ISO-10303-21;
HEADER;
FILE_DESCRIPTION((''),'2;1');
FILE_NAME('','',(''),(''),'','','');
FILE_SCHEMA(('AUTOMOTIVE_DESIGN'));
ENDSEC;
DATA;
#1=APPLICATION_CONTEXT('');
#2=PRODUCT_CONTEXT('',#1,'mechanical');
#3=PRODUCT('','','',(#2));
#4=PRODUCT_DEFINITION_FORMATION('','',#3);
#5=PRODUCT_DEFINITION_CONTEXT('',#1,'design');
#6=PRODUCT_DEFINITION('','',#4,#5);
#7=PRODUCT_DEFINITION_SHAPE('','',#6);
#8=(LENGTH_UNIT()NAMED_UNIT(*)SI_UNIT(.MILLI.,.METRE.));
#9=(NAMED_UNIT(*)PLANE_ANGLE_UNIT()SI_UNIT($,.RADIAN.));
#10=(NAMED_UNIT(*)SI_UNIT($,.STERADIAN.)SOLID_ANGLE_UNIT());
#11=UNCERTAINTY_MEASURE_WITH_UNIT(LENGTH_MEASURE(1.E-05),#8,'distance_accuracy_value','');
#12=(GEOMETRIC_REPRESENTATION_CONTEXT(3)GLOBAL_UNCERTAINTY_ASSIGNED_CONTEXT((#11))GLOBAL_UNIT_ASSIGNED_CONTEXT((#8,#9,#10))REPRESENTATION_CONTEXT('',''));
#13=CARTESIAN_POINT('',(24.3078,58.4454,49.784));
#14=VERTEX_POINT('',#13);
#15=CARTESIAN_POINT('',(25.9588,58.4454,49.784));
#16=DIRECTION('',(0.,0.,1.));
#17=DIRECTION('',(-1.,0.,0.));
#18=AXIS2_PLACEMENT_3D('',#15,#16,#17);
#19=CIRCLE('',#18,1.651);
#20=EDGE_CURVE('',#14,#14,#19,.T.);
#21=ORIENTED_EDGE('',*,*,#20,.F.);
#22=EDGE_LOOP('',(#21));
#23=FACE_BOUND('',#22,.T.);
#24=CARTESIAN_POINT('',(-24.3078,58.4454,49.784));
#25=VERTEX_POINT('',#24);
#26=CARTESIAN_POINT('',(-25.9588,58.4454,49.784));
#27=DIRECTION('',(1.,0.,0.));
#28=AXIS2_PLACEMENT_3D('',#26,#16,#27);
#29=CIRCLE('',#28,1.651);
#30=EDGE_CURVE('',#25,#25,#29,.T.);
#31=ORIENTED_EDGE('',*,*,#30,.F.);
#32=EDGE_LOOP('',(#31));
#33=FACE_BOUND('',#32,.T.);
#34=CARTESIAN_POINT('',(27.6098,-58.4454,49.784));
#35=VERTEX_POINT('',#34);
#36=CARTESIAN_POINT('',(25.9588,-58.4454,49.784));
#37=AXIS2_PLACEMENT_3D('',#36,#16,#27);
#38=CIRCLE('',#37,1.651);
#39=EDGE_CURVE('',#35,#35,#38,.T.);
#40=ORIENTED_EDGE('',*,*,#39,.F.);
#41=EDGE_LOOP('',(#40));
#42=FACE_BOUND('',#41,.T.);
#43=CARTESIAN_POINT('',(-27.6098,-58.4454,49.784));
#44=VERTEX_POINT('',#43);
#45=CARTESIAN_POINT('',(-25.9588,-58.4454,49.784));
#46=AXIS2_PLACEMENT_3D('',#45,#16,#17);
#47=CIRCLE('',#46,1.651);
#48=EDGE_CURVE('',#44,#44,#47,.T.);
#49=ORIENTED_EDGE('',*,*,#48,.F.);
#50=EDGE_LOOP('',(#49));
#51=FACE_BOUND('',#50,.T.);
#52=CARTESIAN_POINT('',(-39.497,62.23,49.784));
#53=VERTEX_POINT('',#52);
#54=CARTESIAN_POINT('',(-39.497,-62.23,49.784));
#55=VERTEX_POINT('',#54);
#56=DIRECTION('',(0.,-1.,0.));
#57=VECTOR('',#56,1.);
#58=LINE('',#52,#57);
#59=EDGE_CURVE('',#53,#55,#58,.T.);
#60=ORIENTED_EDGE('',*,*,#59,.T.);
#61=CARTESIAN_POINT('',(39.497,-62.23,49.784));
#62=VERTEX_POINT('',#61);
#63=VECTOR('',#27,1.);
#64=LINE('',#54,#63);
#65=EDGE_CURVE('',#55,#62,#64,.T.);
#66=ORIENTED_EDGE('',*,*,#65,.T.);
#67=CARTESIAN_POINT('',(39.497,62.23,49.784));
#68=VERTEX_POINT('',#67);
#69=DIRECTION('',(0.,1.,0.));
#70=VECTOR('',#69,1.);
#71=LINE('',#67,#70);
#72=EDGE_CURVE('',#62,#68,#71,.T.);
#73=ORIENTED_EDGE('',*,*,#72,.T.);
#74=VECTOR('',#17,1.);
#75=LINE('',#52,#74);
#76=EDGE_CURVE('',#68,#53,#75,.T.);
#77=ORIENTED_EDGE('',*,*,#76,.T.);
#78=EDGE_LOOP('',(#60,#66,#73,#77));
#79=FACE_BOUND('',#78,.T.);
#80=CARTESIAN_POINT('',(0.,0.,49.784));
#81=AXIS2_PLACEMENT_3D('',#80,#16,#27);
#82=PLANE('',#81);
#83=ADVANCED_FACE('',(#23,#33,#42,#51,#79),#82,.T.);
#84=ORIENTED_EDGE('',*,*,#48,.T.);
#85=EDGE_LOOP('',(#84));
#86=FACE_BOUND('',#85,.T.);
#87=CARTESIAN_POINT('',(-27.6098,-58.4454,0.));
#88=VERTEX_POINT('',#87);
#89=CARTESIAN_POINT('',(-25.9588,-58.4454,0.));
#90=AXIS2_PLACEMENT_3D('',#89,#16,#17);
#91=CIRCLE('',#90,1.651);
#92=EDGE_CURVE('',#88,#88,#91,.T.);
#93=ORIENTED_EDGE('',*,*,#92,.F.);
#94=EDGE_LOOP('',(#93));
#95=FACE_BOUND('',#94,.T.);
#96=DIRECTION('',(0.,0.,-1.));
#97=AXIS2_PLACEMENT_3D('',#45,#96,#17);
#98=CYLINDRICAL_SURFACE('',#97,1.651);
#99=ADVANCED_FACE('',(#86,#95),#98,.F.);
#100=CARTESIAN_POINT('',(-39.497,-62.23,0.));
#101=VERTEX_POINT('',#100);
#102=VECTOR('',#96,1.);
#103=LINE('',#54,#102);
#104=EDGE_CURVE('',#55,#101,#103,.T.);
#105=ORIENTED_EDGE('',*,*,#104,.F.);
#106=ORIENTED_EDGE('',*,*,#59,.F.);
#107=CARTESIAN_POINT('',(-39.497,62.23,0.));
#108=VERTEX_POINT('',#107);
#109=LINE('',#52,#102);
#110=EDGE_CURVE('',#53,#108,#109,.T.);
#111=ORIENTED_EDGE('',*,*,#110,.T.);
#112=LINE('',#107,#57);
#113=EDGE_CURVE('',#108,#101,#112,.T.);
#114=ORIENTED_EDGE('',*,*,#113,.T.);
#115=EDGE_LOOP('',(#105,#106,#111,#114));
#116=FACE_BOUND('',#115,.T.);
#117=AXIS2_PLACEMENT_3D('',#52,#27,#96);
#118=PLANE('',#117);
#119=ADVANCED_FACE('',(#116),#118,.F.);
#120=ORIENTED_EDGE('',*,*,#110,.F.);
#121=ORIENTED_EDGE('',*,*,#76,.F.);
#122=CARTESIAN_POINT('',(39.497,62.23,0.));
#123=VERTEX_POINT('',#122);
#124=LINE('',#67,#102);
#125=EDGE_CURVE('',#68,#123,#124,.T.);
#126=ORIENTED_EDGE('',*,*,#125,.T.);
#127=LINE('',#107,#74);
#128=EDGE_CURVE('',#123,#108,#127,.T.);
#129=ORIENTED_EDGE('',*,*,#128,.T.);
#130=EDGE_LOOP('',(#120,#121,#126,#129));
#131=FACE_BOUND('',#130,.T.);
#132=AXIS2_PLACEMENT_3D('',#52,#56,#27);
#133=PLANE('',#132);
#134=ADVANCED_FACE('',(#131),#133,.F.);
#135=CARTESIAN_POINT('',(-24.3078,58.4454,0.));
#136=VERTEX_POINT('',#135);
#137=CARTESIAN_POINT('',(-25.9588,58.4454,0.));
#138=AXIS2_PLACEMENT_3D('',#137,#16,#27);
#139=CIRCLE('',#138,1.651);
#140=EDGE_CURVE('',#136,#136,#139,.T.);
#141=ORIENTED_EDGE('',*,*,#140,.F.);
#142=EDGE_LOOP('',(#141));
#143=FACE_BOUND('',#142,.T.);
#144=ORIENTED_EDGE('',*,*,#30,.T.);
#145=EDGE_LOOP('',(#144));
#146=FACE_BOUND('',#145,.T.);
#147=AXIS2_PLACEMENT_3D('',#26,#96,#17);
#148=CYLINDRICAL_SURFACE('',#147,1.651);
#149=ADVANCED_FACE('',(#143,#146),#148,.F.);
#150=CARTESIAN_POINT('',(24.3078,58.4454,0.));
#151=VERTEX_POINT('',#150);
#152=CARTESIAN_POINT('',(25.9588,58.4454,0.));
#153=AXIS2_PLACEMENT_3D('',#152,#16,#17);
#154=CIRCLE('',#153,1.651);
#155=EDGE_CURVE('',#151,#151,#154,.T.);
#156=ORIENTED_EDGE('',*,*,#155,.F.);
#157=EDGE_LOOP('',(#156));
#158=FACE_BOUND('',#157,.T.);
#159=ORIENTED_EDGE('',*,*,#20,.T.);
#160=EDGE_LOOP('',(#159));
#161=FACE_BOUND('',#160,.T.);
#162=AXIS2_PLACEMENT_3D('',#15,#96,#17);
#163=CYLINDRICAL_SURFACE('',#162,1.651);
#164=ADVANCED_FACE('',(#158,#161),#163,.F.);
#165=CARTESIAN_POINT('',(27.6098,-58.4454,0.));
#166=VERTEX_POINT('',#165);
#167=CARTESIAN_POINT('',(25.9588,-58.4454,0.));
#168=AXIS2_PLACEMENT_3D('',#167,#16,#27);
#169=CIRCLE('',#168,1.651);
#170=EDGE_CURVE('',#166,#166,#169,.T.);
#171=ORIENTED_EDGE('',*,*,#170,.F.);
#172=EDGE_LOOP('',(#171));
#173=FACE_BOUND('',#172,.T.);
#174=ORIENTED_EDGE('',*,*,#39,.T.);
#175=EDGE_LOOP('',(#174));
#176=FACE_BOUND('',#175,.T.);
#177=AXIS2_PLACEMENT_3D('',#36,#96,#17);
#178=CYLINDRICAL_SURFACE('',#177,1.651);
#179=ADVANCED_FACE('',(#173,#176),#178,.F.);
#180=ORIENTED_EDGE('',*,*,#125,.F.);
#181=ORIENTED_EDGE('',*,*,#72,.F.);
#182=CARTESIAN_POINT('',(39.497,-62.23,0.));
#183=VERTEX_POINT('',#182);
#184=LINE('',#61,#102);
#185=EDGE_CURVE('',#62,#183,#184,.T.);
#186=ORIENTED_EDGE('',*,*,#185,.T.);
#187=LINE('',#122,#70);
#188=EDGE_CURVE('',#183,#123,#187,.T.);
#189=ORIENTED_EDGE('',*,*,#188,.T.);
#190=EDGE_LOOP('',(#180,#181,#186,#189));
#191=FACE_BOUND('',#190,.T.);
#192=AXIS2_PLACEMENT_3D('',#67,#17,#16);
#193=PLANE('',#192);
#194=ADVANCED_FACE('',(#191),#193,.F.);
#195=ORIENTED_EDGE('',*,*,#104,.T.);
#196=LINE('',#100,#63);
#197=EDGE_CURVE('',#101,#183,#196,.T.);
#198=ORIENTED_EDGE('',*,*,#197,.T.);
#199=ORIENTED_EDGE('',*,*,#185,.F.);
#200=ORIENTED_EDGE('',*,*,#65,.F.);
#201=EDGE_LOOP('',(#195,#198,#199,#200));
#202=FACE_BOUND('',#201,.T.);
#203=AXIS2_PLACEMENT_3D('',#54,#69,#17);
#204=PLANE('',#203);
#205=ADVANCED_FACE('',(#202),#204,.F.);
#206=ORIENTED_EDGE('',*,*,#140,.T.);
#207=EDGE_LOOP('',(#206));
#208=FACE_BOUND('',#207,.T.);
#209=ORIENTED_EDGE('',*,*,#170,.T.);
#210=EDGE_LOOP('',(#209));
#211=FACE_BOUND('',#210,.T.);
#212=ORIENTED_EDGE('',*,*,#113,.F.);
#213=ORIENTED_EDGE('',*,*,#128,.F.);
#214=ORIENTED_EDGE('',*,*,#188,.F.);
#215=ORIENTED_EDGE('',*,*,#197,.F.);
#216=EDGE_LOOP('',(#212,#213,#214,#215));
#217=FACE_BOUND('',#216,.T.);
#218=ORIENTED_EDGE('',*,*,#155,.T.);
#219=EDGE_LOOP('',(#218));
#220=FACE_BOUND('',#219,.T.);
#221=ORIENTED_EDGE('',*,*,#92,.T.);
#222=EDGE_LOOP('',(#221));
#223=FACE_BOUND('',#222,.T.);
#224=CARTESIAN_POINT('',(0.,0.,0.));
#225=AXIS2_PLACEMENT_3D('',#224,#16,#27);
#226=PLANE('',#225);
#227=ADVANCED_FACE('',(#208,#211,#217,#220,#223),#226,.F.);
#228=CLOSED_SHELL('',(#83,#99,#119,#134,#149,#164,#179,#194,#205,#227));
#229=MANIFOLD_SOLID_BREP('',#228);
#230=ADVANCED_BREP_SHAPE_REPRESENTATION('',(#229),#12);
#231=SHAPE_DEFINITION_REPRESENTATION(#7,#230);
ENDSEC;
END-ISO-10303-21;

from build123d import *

# Parameters (mm, degrees)
SKETCH1_W           = 78.994
SKETCH1_H           = 124.46
SKETCH1_R           = 1.651
BOSS_EXTRUDE1_DEPTH = 49.784


with BuildPart() as part:
    # Sketch1 → Boss-Extrude1 (new body)
    with BuildSketch(Plane.XY):
        Rectangle(SKETCH1_W, SKETCH1_H)
        with Locations((-25.9588, 58.4454)):
            Circle(SKETCH1_R, mode=Mode.SUBTRACT)
        with Locations(Location((25.9588, 58.4454, 0), (0, 0, 180))):
            Circle(SKETCH1_R, mode=Mode.SUBTRACT)
        with Locations((25.9588, -58.4454)):
            Circle(SKETCH1_R, mode=Mode.SUBTRACT)
        with Locations(Location((-25.9588, -58.4454, 0), (0, 0, 180))):
            Circle(SKETCH1_R, mode=Mode.SUBTRACT)
    extrude(amount=BOSS_EXTRUDE1_DEPTH)


solid = part.part
